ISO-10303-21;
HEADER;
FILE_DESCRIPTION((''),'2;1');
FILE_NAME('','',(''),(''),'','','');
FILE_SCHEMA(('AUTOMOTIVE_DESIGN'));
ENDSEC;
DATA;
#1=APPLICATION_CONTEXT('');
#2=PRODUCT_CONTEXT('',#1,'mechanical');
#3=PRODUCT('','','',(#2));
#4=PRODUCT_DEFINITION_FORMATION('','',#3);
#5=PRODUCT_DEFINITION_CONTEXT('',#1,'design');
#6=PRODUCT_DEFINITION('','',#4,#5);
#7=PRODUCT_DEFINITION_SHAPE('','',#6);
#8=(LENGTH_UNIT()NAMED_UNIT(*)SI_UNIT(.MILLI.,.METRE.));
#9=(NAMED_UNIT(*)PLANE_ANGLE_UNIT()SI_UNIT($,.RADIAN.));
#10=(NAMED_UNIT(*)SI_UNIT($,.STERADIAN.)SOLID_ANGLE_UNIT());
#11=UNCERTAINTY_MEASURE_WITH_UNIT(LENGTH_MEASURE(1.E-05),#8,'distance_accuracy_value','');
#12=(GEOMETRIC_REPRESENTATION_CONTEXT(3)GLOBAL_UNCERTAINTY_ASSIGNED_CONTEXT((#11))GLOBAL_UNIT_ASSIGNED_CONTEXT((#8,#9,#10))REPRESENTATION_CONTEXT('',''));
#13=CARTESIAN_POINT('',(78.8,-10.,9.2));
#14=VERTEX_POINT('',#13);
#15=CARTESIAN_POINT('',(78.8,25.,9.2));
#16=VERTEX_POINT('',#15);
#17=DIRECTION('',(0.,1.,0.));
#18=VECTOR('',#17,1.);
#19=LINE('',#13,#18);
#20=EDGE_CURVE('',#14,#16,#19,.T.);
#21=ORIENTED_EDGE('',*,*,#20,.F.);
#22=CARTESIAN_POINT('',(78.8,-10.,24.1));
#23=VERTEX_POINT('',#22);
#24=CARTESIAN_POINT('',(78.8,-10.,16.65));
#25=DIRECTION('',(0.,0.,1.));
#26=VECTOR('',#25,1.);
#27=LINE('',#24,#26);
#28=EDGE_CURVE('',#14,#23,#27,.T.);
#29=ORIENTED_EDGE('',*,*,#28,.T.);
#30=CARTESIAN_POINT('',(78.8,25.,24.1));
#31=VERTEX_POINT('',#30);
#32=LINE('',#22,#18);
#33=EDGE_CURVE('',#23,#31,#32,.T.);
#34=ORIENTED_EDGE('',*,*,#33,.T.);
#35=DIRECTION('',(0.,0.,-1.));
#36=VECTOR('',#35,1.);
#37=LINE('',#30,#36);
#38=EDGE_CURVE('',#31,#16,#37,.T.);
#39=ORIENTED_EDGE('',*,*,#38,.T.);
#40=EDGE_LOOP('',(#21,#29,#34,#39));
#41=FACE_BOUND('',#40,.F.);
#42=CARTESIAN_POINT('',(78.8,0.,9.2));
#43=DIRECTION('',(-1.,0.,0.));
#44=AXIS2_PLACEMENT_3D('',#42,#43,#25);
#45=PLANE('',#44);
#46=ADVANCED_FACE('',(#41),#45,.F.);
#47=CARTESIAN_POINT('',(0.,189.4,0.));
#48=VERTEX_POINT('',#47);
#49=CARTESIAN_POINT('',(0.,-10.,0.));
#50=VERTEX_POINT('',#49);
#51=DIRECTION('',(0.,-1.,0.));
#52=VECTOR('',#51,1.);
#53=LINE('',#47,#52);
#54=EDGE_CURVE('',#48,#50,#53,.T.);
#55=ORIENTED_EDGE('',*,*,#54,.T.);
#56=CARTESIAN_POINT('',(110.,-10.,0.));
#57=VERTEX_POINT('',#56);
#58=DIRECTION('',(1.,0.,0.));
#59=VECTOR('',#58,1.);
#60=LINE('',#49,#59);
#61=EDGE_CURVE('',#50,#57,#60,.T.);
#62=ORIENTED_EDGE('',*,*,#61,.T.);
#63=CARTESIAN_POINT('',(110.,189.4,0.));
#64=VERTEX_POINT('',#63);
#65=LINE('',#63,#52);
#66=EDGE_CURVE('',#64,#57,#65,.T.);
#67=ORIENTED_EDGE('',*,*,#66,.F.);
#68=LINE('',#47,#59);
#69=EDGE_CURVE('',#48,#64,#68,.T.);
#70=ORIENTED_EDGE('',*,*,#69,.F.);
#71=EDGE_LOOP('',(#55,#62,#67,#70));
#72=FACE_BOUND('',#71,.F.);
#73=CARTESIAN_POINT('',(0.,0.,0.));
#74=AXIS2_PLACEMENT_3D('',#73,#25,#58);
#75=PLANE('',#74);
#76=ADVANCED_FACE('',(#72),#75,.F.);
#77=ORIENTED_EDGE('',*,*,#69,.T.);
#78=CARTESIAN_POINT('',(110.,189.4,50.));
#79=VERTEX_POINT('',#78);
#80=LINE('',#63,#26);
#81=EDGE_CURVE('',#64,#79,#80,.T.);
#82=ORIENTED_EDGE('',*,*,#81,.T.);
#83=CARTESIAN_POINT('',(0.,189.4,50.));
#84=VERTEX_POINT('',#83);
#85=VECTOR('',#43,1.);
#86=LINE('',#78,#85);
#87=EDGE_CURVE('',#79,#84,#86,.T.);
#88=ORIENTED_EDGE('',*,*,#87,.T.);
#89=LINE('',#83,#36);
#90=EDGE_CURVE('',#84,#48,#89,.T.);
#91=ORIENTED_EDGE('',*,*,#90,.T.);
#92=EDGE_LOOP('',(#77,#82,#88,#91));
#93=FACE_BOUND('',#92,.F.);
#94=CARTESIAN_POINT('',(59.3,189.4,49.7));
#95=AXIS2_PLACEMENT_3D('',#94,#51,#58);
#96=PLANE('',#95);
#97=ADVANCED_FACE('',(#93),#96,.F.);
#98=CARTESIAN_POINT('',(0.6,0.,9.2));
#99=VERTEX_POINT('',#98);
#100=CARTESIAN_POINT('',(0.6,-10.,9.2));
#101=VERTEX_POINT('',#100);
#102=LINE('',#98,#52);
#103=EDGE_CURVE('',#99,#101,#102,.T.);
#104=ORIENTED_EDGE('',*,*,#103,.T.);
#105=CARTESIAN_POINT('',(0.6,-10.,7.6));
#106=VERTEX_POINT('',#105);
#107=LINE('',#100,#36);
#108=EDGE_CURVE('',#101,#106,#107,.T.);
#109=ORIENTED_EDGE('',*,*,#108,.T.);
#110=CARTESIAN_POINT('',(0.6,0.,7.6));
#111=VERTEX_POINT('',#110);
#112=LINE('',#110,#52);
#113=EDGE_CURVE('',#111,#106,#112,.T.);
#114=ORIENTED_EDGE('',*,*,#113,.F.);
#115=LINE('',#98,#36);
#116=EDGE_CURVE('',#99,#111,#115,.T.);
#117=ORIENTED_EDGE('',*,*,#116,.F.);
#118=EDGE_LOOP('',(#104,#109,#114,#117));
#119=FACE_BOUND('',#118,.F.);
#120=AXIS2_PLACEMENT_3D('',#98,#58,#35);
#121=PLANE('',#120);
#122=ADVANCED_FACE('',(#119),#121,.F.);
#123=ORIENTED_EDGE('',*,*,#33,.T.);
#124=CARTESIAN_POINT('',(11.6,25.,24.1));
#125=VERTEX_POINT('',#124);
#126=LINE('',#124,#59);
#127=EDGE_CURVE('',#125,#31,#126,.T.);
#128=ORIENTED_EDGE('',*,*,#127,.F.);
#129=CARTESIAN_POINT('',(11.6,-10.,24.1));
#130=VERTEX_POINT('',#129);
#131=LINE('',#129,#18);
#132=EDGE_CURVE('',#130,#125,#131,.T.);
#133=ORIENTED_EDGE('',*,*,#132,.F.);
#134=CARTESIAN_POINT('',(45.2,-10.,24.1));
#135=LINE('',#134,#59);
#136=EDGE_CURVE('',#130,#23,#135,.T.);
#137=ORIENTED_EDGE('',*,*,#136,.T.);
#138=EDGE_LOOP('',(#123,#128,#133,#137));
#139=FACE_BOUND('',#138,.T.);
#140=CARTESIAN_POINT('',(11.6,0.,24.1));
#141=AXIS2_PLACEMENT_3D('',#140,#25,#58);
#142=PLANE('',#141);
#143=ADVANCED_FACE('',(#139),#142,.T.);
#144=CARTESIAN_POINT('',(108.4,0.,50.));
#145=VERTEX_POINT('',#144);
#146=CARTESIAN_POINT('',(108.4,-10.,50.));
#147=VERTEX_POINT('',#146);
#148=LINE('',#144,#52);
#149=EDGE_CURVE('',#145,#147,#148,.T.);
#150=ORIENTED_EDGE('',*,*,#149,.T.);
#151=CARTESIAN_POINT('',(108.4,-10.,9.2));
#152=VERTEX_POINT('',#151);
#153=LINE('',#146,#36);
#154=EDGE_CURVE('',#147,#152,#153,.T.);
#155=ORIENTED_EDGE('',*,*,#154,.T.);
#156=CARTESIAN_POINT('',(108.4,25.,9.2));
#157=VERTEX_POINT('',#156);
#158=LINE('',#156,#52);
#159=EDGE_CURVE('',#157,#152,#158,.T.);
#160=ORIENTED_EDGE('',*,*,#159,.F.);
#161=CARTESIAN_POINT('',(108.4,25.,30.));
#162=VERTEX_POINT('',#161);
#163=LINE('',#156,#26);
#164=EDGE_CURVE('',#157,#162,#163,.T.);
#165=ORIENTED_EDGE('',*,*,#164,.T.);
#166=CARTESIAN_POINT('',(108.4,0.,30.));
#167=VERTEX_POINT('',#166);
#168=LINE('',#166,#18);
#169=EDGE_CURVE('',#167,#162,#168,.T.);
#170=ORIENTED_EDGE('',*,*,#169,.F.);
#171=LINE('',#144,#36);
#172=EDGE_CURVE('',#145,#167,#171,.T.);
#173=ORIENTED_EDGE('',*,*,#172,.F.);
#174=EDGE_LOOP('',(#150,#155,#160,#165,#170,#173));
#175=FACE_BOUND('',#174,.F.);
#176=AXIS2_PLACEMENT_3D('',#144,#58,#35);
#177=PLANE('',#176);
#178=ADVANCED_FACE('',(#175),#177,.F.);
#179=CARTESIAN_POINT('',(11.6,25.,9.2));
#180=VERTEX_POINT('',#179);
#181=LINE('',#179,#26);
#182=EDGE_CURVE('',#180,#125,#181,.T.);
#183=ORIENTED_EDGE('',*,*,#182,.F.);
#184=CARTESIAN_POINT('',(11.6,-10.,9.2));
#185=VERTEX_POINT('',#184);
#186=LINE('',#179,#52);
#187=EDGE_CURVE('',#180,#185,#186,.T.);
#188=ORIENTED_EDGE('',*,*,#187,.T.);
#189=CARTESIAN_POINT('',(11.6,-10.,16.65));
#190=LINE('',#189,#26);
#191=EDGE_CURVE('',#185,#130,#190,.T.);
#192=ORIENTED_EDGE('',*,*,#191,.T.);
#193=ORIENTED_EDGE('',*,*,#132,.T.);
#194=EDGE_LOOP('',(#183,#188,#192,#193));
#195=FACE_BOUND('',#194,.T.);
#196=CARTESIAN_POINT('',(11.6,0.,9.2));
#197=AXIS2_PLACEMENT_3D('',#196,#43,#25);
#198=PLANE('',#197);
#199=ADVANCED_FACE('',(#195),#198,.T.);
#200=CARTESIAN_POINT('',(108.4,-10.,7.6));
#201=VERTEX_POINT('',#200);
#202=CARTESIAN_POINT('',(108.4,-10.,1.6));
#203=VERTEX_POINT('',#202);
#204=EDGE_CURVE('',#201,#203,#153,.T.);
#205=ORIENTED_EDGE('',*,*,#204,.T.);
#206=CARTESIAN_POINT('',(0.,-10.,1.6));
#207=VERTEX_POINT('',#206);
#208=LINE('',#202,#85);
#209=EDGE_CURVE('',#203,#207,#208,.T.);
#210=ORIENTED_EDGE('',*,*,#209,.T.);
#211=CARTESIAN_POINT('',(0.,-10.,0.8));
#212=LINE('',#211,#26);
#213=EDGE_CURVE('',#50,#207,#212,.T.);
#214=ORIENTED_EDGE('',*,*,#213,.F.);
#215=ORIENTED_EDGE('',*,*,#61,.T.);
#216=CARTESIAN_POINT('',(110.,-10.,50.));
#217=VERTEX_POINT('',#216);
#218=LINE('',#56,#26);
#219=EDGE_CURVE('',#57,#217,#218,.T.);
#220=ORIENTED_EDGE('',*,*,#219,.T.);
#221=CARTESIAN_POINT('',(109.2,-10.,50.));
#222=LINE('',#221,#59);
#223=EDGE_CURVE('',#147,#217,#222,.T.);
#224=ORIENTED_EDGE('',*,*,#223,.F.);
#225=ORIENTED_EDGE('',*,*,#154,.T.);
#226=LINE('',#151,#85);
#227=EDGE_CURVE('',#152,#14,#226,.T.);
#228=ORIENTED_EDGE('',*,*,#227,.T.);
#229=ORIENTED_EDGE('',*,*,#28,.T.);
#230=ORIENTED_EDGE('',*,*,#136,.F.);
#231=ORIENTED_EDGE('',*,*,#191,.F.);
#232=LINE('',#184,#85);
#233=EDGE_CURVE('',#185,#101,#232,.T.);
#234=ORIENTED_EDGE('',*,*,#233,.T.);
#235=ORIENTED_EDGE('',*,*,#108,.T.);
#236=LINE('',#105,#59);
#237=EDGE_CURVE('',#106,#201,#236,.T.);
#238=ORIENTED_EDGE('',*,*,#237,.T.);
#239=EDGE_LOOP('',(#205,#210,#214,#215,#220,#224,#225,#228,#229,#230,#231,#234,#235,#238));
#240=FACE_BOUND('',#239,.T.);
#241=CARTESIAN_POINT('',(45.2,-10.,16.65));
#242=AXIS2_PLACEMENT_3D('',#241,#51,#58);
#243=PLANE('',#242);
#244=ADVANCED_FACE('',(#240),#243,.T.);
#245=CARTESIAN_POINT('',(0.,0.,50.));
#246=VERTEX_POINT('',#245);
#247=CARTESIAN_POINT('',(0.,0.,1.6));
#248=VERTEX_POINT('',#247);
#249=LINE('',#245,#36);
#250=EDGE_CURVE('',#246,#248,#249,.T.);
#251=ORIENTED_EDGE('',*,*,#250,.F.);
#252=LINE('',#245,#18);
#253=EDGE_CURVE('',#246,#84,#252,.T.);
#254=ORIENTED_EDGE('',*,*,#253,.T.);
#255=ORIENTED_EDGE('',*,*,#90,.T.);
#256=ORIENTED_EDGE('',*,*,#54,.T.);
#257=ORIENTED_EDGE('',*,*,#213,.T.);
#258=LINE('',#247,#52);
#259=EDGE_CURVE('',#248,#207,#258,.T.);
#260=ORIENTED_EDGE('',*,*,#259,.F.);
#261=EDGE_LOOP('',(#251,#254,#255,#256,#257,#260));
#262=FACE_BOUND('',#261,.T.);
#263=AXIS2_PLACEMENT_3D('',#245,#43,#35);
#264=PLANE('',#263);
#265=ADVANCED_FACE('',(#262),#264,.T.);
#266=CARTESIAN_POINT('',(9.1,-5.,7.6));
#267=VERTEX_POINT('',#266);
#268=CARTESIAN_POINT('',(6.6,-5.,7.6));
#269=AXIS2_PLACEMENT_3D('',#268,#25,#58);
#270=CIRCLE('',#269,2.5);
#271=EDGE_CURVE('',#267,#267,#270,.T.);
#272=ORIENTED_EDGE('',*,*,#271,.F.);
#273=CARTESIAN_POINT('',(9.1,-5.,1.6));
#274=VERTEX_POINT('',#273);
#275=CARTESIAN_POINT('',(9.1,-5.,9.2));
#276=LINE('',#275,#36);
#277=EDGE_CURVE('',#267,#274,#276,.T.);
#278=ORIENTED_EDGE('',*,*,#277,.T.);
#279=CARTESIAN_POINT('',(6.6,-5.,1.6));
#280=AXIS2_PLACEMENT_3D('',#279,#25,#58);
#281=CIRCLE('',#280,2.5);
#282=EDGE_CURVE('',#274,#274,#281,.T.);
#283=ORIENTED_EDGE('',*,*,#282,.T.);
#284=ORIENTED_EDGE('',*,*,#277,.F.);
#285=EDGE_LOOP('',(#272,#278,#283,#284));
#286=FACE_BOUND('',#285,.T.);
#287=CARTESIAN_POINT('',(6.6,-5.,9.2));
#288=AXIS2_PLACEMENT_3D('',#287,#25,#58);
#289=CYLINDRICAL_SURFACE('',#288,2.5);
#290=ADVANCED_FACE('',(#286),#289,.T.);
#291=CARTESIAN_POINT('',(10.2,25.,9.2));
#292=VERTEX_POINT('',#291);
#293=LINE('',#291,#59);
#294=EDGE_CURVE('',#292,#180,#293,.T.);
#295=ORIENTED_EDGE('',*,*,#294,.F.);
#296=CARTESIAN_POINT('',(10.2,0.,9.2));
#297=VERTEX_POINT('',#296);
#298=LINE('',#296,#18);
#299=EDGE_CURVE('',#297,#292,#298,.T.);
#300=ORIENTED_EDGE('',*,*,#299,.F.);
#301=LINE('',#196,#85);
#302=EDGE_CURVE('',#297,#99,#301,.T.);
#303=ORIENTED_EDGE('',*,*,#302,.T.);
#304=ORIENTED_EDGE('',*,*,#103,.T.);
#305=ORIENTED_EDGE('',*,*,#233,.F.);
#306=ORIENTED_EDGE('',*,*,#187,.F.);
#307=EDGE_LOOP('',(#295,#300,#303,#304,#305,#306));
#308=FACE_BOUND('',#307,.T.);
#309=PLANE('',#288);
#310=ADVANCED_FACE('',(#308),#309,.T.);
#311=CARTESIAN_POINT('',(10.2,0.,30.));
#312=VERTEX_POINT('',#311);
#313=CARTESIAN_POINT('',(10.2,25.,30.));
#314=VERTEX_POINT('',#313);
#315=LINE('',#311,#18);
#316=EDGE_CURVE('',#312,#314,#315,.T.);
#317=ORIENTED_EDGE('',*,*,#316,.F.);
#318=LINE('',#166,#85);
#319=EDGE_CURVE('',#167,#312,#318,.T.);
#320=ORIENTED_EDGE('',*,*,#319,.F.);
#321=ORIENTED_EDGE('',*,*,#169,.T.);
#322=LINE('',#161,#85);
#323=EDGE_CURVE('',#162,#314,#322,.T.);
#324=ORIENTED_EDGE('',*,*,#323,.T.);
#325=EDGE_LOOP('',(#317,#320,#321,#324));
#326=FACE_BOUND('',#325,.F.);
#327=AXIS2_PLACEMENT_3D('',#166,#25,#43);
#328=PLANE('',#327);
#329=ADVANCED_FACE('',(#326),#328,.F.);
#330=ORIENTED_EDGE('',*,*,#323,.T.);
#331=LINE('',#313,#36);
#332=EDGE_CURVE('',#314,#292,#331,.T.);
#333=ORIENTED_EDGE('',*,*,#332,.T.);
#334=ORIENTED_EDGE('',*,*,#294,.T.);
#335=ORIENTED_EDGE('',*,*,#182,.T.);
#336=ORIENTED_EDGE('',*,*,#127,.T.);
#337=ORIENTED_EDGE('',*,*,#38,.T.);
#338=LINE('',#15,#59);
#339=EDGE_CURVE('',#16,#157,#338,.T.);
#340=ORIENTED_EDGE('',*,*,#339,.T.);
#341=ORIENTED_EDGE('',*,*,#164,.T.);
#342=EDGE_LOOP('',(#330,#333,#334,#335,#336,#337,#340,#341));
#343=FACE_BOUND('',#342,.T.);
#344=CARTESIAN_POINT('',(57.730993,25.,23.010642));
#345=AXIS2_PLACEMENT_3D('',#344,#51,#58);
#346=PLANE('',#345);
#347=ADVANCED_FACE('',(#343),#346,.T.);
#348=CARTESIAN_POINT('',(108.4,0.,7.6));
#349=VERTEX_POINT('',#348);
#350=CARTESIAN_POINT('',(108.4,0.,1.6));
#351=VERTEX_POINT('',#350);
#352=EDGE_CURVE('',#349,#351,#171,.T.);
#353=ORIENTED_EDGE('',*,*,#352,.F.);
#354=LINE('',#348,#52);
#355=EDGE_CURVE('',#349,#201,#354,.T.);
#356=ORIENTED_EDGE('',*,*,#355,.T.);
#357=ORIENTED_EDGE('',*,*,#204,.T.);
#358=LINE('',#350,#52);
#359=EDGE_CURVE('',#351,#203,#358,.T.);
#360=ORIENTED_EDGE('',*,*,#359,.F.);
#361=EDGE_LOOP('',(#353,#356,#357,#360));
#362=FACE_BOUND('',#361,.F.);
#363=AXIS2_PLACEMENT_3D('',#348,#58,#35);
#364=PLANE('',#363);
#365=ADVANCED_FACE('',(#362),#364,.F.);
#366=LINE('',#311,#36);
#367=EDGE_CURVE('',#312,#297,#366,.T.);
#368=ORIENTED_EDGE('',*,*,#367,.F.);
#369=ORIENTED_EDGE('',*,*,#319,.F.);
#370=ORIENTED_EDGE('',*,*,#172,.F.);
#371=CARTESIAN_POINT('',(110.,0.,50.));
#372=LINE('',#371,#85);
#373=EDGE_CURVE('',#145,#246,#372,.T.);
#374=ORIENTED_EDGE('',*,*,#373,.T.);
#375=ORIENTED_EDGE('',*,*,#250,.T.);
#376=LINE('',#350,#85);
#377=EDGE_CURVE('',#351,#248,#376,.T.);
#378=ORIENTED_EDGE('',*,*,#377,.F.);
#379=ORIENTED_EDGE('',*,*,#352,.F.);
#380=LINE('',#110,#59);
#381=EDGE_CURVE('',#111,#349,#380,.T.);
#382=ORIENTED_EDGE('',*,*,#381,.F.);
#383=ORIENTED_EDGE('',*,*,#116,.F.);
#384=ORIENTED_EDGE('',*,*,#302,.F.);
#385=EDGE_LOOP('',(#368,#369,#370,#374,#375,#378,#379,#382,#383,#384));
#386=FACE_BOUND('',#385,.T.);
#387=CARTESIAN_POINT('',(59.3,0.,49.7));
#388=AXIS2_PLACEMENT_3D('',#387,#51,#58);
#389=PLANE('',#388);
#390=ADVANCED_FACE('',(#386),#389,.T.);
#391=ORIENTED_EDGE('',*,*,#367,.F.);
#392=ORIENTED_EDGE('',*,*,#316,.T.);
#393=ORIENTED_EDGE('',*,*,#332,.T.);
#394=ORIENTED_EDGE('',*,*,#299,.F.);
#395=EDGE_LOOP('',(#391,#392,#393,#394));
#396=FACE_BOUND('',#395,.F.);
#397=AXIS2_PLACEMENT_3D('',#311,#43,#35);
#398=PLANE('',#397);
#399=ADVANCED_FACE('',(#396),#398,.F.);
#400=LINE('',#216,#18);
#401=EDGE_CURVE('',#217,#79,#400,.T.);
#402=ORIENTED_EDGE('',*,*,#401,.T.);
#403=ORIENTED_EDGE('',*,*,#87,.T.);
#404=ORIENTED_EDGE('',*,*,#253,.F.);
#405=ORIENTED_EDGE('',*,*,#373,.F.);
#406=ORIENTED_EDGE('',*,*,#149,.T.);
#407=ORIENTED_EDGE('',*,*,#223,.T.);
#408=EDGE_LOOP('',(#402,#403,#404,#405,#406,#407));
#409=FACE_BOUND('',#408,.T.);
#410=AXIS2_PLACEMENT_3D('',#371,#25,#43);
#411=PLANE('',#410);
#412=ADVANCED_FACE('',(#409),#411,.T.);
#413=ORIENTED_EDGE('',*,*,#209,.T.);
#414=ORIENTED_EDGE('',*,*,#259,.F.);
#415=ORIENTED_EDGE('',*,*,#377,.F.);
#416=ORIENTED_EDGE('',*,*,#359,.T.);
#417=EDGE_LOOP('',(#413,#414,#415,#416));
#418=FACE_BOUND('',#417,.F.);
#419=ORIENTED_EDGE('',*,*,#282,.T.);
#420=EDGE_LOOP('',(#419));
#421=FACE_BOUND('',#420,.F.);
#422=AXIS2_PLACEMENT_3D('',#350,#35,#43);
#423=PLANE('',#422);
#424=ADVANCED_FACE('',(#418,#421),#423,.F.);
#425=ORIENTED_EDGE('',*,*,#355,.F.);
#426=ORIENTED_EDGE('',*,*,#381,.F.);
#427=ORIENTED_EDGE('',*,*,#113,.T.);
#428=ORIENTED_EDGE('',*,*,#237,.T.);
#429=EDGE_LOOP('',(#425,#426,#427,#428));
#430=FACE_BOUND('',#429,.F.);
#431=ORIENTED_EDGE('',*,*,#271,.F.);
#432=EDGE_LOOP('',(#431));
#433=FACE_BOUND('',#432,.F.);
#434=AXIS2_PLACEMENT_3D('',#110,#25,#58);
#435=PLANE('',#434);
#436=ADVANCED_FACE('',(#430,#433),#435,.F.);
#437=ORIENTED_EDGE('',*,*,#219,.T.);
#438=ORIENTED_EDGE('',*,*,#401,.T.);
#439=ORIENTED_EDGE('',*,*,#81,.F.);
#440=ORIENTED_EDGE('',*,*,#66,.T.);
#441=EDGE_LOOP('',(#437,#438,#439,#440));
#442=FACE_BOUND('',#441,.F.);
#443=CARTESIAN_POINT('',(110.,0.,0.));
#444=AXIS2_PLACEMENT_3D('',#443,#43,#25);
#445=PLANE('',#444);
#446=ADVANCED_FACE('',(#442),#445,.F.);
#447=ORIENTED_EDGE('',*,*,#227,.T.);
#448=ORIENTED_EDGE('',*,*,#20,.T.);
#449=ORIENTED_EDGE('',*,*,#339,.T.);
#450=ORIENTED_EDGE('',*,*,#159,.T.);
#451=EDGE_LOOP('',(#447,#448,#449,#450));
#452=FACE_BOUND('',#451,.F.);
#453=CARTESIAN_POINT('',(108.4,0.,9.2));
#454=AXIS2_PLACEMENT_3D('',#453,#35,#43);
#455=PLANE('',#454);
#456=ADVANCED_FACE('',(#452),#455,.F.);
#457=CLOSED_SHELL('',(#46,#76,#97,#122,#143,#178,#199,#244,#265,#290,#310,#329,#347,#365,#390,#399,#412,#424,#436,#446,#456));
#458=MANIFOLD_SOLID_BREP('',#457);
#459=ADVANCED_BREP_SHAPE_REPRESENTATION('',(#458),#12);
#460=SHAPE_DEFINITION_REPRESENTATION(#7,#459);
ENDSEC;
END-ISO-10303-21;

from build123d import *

# Parameters (mm, degrees)
F0_W     = 98.2
F0_H     = 0.6
F0_W_2   = 9.6
F0_W_3   = 0.6
F0_H_2   = 40.2
F0_H_3   = 1.6
F0_H_4   = 6
F0_W_4   = 107.8
F0_W_5   = 1.6
F0_H_5   = 19.4
F0_W_6   = 67.2
F0_H_6   = 14.9
F1_DEPTH = 189.4
F2_DEPTH = 10
F3_DEPTH = 25
F4_R     = 2.5
F5_DEPTH = 7.6


with BuildPart() as f1:
    # F0 (on Front) → F1 (new body)
    with BuildSketch(Plane.XZ):
        with Locations((59.3, 49.7)):
            Rectangle(F0_W, F0_H)
        with Locations((5.4, 49.7)):
            Rectangle(F0_W_2, F0_H)
        with Locations((0.3, 29.3)):
            Rectangle(F0_W_3, F0_H_2)
        with Locations((0.3, 8.4)):
            Rectangle(F0_W_3, F0_H_3)
        with Locations((0.3, 4.6)):
            Rectangle(F0_W_3, F0_H_4)
        with Locations((0.3, 0.8)):
            Rectangle(F0_W_3, F0_H_3)
        with Locations((54.5, 0.8)):
            Rectangle(F0_W_4, F0_H_3)
        Polygon((108.4, 1.6), (108.4, 0), (110, 0), (110, 49.4), (108.4, 49.4), (108.4, 30), (108.4, 9.2), (108.4, 7.6), align=None)
        with Locations((109.2, 49.7)):
            Rectangle(F0_W_5, F0_H)
        with Locations((0.3, 49.7)):
            Rectangle(F0_W_3, F0_H)
        Polygon((0.6, 9.2), (0.6, 7.6), (108.4, 7.6), (108.4, 9.2), (78.8, 9.2), (11.6, 9.2), (10.2, 9.2), align=None)
        Polygon((0.6, 49.4), (0.6, 9.2), (10.2, 9.2), (10.2, 30), (10.2, 49.4), align=None)
        with Locations((59.3, 39.7)):
            Rectangle(F0_W, F0_H_5)
        Polygon((78.8, 9.2), (108.4, 9.2), (108.4, 30), (10.2, 30), (10.2, 9.2), (11.6, 9.2), (11.6, 24.1), (78.8, 24.1), align=None)
        with Locations((45.2, 16.65)):
            Rectangle(F0_W_6, F0_H_6)
        with Locations((54.5, 4.6)):
            Rectangle(F0_W_4, F0_H_4)
    extrude(amount=-F1_DEPTH)

    # F0 (on Front) → F2 (join)
    with BuildSketch(Plane.XZ):
        with Locations((45.2, 16.65)):
            Rectangle(F0_W_6, F0_H_6)
        Polygon((108.4, 1.6), (108.4, 0), (110, 0), (110, 49.4), (108.4, 49.4), (108.4, 30), (108.4, 9.2), (108.4, 7.6), align=None)
        with Locations((54.5, 0.8)):
            Rectangle(F0_W_4, F0_H_3)
        with Locations((109.2, 49.7)):
            Rectangle(F0_W_5, F0_H)
        with Locations((0.3, 0.8)):
            Rectangle(F0_W_3, F0_H_3)
        Polygon((0.6, 9.2), (0.6, 7.6), (108.4, 7.6), (108.4, 9.2), (78.8, 9.2), (11.6, 9.2), (10.2, 9.2), align=None)
    extrude(amount=F2_DEPTH)

    # F0 (on Front) → F3 (cut)
    with BuildSketch(Plane.XZ):
        Polygon((78.8, 9.2), (108.4, 9.2), (108.4, 30), (10.2, 30), (10.2, 9.2), (11.6, 9.2), (11.6, 24.1), (78.8, 24.1), align=None)
    extrude(amount=-F3_DEPTH, mode=Mode.SUBTRACT)

    # F4 (on face) → F5 (join, through all)
    with BuildSketch(Plane.XY.offset(9.2)):
        with Locations((6.6, -5)):
            Circle(F4_R)
    extrude(amount=-F5_DEPTH)


solid = f1.part
